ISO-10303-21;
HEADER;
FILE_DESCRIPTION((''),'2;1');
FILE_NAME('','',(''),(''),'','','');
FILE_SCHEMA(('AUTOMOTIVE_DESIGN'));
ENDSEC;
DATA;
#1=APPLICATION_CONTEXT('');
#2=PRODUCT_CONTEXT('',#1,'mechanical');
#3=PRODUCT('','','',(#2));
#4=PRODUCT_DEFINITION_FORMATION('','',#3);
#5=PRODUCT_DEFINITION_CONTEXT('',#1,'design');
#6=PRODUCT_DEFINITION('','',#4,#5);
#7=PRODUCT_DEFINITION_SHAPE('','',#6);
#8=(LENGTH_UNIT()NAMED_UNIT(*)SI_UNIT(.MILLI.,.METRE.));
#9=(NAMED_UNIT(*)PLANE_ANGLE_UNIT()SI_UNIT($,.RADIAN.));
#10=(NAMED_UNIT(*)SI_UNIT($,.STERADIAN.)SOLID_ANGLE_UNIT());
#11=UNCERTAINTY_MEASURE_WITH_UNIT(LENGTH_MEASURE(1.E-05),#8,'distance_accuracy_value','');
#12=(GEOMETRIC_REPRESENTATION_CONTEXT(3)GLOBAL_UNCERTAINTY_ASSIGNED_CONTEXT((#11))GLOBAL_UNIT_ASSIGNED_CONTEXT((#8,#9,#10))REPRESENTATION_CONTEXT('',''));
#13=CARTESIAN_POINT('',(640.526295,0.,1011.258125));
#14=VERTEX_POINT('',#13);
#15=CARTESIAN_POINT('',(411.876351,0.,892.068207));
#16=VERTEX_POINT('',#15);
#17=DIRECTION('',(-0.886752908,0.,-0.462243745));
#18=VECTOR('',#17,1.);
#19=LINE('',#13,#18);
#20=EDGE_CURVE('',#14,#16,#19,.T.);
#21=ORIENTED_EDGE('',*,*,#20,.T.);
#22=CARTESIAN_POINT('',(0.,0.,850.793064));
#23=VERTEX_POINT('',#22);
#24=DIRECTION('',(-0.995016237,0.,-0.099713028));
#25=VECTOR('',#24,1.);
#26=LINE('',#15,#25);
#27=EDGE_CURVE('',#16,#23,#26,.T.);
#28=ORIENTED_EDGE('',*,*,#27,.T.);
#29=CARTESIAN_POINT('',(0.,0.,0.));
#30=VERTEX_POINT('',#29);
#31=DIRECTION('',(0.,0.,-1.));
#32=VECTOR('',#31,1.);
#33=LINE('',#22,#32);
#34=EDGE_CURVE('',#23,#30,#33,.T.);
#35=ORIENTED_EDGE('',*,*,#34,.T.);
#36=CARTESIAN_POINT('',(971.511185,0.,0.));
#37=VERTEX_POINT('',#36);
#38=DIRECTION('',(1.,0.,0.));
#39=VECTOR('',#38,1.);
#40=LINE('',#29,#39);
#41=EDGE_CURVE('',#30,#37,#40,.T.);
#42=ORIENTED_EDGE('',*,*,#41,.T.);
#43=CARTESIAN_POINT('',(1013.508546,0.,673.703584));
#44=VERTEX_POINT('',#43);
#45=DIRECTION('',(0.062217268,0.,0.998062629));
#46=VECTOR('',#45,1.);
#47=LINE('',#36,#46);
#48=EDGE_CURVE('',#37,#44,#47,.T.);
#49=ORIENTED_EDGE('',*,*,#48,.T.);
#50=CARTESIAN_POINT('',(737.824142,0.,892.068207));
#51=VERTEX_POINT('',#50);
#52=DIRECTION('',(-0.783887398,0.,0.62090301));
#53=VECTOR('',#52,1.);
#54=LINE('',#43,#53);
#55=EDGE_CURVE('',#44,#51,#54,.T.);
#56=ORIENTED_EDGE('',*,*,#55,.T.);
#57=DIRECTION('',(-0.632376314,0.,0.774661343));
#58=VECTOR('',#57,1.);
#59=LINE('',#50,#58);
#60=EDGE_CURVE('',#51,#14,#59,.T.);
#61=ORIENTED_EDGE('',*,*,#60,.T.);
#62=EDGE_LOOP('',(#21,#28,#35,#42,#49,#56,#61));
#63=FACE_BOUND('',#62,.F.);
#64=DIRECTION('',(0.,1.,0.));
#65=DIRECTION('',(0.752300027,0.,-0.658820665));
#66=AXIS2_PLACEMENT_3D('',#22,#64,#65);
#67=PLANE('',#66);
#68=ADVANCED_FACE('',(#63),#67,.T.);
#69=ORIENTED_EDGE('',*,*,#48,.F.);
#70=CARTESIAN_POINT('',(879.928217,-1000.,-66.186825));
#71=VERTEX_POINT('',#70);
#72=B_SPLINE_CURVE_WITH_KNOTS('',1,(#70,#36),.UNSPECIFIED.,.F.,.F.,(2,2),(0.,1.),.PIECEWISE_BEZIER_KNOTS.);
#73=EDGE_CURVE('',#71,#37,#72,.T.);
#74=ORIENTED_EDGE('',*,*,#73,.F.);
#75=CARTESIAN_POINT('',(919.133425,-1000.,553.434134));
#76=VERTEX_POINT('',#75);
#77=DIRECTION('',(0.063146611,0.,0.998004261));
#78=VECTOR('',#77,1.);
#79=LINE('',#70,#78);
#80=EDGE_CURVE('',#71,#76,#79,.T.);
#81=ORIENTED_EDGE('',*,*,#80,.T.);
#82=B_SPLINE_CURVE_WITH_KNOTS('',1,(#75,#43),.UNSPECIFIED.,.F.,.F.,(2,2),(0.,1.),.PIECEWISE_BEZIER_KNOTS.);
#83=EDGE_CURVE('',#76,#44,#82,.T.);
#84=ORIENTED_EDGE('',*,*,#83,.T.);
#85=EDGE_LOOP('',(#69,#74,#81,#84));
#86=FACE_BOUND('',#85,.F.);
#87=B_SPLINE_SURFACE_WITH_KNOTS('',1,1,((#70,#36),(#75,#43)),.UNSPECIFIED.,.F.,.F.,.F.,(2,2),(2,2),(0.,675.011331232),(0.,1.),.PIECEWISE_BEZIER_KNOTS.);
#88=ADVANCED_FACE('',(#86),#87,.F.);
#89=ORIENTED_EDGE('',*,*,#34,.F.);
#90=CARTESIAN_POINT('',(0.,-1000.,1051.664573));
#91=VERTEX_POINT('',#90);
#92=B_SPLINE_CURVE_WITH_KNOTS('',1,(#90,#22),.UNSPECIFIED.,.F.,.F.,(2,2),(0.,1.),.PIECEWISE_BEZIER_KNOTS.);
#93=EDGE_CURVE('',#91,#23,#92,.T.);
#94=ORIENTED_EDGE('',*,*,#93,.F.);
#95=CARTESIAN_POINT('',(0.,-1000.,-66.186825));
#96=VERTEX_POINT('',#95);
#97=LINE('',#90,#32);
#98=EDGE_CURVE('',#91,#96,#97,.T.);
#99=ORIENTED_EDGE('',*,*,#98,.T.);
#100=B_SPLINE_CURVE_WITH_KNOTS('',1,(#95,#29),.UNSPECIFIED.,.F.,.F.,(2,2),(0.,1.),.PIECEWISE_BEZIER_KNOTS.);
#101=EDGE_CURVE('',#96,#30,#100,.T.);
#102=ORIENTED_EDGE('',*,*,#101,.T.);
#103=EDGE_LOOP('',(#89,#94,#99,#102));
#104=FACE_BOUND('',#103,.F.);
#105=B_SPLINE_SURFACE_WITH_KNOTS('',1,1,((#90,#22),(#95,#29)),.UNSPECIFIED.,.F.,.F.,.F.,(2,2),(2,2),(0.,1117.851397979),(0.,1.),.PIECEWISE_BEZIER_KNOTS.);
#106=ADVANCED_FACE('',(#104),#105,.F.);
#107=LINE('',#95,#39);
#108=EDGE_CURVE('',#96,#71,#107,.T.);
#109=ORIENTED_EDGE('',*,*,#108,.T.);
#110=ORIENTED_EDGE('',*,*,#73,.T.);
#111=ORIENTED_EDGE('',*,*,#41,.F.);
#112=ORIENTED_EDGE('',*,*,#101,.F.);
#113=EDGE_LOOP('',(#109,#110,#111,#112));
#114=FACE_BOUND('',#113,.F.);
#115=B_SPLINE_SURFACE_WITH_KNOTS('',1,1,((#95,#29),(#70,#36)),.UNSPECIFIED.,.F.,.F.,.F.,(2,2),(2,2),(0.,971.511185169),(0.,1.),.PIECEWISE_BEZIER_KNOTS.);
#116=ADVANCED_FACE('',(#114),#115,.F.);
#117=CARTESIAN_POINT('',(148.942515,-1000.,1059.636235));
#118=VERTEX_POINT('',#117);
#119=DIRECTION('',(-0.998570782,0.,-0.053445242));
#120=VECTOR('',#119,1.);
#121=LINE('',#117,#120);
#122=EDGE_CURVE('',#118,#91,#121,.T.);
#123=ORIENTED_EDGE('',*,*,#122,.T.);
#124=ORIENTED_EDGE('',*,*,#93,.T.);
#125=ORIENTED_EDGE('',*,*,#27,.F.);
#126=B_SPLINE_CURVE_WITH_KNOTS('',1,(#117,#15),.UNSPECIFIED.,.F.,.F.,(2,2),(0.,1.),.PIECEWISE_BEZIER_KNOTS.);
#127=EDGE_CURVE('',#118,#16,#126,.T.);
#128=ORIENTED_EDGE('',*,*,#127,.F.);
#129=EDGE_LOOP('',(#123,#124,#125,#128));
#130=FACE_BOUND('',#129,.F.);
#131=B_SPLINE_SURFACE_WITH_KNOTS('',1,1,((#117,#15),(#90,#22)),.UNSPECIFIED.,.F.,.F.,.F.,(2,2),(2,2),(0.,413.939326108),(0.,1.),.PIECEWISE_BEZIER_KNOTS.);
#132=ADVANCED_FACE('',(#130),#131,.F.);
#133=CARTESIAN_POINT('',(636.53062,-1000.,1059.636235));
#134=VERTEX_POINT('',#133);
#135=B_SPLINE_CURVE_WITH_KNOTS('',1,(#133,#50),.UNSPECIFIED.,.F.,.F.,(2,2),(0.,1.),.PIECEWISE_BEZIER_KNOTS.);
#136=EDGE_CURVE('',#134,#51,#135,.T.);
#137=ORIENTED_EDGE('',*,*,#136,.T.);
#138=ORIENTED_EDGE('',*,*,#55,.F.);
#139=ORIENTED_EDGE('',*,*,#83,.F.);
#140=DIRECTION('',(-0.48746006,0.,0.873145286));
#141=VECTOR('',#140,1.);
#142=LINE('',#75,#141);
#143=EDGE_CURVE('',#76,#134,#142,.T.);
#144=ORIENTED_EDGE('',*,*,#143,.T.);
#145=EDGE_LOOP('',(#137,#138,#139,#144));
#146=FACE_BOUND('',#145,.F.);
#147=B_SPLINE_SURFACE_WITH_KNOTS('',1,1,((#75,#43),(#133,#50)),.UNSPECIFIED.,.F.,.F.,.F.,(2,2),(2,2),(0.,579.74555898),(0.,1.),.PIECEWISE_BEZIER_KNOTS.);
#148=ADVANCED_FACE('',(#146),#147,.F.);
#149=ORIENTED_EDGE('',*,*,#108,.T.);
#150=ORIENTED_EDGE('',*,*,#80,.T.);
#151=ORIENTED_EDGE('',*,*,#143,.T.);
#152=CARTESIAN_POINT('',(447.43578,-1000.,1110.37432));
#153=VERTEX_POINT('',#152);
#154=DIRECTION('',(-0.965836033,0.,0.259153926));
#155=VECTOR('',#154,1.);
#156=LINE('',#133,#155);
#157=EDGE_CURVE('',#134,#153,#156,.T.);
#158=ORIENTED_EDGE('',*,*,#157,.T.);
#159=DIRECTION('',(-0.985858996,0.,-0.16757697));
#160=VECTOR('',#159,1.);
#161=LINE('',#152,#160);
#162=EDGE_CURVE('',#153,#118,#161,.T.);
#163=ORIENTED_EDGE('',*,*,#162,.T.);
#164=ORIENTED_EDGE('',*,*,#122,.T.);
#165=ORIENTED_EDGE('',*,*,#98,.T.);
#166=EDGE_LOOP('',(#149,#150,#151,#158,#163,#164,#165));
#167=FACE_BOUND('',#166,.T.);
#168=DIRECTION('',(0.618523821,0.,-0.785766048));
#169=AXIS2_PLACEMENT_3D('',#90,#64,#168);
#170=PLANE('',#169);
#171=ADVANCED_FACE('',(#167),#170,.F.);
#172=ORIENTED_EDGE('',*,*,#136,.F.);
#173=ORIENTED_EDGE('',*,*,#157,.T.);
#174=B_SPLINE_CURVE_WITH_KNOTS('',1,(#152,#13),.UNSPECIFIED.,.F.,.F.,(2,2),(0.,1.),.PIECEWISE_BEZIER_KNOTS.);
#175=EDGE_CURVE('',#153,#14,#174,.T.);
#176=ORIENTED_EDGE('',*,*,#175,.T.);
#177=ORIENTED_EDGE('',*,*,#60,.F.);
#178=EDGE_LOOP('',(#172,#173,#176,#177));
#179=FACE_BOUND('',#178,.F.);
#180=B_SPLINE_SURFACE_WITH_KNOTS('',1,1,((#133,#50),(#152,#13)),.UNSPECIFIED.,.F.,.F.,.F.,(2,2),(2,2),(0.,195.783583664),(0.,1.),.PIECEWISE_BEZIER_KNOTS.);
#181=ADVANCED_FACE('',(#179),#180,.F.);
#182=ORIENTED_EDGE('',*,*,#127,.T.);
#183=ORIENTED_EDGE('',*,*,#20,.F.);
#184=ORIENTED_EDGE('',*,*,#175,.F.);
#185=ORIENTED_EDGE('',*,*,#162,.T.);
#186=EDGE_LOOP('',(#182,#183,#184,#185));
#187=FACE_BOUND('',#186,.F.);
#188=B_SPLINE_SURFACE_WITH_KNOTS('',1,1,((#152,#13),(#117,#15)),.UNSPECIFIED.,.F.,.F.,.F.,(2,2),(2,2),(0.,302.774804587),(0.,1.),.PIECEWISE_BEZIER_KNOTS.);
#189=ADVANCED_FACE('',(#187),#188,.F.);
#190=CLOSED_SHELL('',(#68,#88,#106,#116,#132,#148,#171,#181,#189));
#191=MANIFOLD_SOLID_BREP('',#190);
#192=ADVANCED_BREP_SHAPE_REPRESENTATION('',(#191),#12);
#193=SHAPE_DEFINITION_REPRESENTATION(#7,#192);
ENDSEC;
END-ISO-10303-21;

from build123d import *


with BuildPart() as f3:
    # F2 (on offset) → F3 section 0
    with BuildSketch(Plane.XZ.offset(1000)):
        Polygon((0, 1051.6645732576), (0, -66.1868247209), (879.9282174974, -66.1868247209), (913.65275338, 466.8145467738), (919.1334247589, 553.4341335297), (636.5306197765, 1059.6362352371), (447.4357799916, 1110.3743195437), (148.942515254, 1059.6362352371), align=None)
    # F0 (on Front) → F3 section 1
    with BuildSketch(Plane.XZ):
        Polygon((0, 850.7930636406), (0, 0), (971.5111851692, 0), (1004.7394037247, 533.0327749252), (1013.5085462703, 673.7035838946), (737.8241419792, 892.0682072639), (640.5262947083, 1011.2581253052), (411.8763506413, 892.0682072639), align=None)
    loft()


solid = f3.part
